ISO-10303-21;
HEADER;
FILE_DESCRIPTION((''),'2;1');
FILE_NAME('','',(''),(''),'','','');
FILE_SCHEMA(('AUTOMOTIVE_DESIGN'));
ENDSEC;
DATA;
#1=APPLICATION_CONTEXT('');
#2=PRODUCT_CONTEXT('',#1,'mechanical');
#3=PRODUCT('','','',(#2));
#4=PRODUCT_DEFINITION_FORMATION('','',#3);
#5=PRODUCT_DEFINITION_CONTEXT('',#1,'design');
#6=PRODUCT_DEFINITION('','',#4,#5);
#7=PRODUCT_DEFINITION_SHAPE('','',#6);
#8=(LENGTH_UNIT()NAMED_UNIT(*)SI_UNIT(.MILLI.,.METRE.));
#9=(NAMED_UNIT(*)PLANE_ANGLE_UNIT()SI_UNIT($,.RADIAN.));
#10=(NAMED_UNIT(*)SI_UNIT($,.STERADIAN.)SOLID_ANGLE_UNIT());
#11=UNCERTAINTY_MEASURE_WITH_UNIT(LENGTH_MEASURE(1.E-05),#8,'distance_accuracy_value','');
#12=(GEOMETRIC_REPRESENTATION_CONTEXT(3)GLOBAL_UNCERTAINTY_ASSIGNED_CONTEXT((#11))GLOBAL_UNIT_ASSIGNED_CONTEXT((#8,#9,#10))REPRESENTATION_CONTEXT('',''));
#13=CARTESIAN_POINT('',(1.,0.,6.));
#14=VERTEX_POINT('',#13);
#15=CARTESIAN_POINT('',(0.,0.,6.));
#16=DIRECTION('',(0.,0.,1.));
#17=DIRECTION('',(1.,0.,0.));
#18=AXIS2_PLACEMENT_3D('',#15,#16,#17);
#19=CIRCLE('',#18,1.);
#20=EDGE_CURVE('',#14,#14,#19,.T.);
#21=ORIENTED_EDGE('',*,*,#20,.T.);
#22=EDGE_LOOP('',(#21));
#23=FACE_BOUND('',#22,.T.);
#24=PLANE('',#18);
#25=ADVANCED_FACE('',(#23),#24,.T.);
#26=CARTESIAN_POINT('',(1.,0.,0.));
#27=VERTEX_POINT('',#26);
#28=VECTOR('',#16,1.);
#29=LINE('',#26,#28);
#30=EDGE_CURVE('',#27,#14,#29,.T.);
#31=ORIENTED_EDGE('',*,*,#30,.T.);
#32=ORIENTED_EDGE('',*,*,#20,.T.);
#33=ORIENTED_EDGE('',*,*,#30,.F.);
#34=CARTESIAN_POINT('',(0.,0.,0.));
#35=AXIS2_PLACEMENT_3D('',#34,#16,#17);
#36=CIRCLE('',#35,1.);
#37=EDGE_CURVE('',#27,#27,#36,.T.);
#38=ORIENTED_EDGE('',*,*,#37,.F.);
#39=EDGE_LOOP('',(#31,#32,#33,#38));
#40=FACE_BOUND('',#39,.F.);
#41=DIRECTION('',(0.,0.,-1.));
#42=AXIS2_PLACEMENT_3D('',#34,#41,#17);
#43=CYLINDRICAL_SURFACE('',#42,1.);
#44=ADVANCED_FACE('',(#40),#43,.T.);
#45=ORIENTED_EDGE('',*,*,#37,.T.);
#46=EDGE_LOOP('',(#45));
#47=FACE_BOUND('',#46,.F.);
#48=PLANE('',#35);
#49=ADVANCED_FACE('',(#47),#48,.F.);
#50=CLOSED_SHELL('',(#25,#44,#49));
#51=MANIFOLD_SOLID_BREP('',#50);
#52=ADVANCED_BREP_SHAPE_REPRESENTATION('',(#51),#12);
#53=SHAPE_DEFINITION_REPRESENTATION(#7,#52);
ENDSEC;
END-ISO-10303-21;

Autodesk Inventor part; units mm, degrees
ref_plane "YZ Plane" through (0, 0, 0) normal (1, 0, 0) x (0, 1, 0)
ref_plane "XZ Plane" through (0, 0, 0) normal (0, 1, 0) x (-1, 0, 0)
ref_plane "XY Plane" through (0, 0, 0) normal (0, 0, 1) x (1, 0, 0)
sketch "Esquisse1" plane through (0, 0, 0) normal (0, 0, 1) x (1, 0, 0)
  circle A0 centre (0, 0) radius 1
  dimension "d0" = 2
extrude "Extrusion1" add sketch "Esquisse1" along normal blind 6
properties part number "Barre mini"
